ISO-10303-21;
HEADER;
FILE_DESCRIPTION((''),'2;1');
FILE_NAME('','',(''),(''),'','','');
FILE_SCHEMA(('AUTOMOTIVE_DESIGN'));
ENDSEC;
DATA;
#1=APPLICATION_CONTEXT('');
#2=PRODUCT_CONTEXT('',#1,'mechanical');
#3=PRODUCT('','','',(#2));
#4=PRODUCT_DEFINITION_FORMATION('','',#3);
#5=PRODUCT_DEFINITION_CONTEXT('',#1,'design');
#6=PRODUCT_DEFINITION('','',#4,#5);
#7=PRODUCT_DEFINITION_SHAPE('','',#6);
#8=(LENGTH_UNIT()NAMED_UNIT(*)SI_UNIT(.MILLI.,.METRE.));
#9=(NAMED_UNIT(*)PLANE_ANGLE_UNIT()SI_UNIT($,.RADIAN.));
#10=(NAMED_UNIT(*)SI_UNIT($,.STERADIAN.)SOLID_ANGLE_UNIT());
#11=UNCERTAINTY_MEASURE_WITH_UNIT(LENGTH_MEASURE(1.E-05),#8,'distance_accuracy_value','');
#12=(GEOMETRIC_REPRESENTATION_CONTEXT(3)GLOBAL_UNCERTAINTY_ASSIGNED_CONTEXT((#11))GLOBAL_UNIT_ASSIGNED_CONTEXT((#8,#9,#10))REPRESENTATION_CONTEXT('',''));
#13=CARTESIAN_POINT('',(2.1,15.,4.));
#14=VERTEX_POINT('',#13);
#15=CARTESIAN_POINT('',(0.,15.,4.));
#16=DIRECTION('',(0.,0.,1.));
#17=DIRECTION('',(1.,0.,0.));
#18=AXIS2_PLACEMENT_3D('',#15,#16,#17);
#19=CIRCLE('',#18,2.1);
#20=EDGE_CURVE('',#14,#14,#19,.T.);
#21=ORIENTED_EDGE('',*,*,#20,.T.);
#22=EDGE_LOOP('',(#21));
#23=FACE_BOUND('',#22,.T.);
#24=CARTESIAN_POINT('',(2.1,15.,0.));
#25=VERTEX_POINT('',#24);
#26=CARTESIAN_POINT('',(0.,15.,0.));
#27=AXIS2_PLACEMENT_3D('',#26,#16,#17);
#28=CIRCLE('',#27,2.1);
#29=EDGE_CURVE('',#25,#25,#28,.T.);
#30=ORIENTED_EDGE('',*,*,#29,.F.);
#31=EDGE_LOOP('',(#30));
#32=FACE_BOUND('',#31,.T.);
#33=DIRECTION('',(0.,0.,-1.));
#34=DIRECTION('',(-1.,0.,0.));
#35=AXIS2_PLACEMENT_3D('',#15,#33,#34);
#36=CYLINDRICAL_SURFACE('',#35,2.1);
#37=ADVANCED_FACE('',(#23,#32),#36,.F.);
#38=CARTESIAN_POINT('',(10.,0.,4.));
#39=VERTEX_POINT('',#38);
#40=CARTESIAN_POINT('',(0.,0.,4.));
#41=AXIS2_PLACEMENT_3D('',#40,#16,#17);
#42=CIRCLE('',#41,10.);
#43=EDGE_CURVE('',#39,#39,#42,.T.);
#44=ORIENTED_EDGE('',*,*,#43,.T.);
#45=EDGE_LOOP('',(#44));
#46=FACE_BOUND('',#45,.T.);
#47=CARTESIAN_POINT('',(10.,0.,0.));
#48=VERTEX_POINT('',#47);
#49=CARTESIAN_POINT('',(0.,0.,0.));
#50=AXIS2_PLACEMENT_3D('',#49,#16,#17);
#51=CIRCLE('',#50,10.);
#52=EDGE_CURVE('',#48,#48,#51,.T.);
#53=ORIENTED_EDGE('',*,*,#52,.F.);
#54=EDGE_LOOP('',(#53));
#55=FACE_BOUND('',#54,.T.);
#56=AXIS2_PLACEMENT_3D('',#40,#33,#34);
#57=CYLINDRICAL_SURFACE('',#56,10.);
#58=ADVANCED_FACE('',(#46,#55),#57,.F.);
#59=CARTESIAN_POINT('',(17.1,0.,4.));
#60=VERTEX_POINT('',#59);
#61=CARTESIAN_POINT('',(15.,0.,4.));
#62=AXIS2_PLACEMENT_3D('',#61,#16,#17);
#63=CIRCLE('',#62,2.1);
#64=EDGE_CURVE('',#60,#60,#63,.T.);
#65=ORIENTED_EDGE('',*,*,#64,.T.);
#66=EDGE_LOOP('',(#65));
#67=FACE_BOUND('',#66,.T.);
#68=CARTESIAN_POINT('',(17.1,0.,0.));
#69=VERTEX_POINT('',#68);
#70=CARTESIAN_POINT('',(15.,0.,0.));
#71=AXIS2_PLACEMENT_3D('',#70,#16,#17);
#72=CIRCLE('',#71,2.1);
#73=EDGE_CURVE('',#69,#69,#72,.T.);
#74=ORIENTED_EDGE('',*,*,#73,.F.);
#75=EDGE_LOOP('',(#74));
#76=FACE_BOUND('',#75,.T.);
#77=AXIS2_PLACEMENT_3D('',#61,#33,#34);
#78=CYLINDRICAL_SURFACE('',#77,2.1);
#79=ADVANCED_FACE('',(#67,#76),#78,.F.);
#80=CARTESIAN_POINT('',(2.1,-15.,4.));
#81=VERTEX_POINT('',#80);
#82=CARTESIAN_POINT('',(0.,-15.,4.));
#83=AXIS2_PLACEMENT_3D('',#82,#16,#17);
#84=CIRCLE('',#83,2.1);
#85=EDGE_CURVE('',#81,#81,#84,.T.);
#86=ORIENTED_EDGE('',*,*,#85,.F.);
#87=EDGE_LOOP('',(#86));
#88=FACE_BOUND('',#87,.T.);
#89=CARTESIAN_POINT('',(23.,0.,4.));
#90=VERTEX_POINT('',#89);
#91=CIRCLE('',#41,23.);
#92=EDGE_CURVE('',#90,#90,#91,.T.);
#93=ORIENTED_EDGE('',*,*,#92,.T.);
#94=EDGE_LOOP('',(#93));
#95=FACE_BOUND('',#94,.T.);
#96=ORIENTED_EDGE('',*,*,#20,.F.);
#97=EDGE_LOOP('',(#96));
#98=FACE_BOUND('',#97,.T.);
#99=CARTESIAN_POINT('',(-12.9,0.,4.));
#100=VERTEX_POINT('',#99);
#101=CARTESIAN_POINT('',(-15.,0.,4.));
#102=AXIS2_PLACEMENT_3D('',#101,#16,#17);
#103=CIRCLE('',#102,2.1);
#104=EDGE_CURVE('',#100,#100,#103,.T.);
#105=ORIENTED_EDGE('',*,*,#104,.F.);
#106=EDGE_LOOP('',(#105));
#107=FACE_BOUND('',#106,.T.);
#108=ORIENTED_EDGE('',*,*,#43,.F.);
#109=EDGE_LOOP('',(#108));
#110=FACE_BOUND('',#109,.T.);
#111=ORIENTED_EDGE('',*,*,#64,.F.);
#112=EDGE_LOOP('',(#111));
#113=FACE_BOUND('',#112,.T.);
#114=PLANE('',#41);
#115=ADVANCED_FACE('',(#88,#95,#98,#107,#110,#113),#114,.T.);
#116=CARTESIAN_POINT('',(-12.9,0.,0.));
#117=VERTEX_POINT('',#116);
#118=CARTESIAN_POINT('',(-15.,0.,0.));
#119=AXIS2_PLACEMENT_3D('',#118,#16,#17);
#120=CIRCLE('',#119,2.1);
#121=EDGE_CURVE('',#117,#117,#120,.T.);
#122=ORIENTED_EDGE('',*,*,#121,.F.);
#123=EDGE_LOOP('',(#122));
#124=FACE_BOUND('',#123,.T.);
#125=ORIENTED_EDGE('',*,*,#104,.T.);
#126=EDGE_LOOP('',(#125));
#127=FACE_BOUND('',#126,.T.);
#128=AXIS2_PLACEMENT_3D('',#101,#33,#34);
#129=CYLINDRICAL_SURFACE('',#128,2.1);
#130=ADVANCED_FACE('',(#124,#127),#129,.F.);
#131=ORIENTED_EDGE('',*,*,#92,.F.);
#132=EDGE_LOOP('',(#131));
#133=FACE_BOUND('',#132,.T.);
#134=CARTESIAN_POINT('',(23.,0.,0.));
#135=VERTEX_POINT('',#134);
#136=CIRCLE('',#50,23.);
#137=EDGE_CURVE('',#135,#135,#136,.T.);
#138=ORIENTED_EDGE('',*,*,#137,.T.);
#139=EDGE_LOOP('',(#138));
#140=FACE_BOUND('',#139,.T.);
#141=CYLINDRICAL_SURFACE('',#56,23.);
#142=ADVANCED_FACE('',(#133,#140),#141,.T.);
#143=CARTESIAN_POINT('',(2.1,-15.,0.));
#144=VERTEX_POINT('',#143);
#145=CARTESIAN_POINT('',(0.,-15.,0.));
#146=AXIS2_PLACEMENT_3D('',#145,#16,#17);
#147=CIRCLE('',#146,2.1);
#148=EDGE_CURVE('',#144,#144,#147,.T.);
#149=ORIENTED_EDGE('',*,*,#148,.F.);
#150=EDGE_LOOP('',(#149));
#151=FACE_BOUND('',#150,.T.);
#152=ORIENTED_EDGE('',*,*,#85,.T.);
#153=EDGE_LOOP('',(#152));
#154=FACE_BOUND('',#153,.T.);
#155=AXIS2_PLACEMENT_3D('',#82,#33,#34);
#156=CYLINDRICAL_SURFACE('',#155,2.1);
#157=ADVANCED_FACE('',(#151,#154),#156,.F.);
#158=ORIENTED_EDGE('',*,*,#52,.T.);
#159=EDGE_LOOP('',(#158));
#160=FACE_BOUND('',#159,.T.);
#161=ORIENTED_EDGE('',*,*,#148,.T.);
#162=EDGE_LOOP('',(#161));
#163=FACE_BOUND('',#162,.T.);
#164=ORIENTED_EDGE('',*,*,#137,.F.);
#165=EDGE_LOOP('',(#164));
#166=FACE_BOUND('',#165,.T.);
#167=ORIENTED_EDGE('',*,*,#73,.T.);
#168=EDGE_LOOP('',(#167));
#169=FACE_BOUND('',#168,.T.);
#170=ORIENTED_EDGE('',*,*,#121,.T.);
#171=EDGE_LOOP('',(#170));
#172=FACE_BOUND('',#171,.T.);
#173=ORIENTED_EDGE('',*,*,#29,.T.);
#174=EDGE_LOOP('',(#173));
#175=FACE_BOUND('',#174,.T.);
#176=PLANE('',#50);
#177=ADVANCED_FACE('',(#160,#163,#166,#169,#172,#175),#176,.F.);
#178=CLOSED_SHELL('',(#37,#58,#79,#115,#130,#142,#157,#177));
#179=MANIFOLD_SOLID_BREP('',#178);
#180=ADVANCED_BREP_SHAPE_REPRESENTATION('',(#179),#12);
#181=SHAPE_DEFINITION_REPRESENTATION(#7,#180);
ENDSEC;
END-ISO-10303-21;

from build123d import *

# Parameters (mm, degrees)
SKETCH1_R           = 23
SKETCH1_R_2         = 2.1
SKETCH1_R_3         = 10
BOSS_EXTRUDE1_DEPTH = 4


with BuildPart() as part:
    # Sketch1 → Boss-Extrude1 (new body)
    with BuildSketch(Plane.XY):
        Circle(SKETCH1_R)
        with Locations((0, 15)):
            Circle(SKETCH1_R_2, mode=Mode.SUBTRACT)
        with Locations((15, 0)):
            Circle(SKETCH1_R_2, mode=Mode.SUBTRACT)
        with Locations((0, -15)):
            Circle(SKETCH1_R_2, mode=Mode.SUBTRACT)
        with Locations((-15, 0)):
            Circle(SKETCH1_R_2, mode=Mode.SUBTRACT)
        Circle(SKETCH1_R_3, mode=Mode.SUBTRACT)
    extrude(amount=BOSS_EXTRUDE1_DEPTH)


solid = part.part
